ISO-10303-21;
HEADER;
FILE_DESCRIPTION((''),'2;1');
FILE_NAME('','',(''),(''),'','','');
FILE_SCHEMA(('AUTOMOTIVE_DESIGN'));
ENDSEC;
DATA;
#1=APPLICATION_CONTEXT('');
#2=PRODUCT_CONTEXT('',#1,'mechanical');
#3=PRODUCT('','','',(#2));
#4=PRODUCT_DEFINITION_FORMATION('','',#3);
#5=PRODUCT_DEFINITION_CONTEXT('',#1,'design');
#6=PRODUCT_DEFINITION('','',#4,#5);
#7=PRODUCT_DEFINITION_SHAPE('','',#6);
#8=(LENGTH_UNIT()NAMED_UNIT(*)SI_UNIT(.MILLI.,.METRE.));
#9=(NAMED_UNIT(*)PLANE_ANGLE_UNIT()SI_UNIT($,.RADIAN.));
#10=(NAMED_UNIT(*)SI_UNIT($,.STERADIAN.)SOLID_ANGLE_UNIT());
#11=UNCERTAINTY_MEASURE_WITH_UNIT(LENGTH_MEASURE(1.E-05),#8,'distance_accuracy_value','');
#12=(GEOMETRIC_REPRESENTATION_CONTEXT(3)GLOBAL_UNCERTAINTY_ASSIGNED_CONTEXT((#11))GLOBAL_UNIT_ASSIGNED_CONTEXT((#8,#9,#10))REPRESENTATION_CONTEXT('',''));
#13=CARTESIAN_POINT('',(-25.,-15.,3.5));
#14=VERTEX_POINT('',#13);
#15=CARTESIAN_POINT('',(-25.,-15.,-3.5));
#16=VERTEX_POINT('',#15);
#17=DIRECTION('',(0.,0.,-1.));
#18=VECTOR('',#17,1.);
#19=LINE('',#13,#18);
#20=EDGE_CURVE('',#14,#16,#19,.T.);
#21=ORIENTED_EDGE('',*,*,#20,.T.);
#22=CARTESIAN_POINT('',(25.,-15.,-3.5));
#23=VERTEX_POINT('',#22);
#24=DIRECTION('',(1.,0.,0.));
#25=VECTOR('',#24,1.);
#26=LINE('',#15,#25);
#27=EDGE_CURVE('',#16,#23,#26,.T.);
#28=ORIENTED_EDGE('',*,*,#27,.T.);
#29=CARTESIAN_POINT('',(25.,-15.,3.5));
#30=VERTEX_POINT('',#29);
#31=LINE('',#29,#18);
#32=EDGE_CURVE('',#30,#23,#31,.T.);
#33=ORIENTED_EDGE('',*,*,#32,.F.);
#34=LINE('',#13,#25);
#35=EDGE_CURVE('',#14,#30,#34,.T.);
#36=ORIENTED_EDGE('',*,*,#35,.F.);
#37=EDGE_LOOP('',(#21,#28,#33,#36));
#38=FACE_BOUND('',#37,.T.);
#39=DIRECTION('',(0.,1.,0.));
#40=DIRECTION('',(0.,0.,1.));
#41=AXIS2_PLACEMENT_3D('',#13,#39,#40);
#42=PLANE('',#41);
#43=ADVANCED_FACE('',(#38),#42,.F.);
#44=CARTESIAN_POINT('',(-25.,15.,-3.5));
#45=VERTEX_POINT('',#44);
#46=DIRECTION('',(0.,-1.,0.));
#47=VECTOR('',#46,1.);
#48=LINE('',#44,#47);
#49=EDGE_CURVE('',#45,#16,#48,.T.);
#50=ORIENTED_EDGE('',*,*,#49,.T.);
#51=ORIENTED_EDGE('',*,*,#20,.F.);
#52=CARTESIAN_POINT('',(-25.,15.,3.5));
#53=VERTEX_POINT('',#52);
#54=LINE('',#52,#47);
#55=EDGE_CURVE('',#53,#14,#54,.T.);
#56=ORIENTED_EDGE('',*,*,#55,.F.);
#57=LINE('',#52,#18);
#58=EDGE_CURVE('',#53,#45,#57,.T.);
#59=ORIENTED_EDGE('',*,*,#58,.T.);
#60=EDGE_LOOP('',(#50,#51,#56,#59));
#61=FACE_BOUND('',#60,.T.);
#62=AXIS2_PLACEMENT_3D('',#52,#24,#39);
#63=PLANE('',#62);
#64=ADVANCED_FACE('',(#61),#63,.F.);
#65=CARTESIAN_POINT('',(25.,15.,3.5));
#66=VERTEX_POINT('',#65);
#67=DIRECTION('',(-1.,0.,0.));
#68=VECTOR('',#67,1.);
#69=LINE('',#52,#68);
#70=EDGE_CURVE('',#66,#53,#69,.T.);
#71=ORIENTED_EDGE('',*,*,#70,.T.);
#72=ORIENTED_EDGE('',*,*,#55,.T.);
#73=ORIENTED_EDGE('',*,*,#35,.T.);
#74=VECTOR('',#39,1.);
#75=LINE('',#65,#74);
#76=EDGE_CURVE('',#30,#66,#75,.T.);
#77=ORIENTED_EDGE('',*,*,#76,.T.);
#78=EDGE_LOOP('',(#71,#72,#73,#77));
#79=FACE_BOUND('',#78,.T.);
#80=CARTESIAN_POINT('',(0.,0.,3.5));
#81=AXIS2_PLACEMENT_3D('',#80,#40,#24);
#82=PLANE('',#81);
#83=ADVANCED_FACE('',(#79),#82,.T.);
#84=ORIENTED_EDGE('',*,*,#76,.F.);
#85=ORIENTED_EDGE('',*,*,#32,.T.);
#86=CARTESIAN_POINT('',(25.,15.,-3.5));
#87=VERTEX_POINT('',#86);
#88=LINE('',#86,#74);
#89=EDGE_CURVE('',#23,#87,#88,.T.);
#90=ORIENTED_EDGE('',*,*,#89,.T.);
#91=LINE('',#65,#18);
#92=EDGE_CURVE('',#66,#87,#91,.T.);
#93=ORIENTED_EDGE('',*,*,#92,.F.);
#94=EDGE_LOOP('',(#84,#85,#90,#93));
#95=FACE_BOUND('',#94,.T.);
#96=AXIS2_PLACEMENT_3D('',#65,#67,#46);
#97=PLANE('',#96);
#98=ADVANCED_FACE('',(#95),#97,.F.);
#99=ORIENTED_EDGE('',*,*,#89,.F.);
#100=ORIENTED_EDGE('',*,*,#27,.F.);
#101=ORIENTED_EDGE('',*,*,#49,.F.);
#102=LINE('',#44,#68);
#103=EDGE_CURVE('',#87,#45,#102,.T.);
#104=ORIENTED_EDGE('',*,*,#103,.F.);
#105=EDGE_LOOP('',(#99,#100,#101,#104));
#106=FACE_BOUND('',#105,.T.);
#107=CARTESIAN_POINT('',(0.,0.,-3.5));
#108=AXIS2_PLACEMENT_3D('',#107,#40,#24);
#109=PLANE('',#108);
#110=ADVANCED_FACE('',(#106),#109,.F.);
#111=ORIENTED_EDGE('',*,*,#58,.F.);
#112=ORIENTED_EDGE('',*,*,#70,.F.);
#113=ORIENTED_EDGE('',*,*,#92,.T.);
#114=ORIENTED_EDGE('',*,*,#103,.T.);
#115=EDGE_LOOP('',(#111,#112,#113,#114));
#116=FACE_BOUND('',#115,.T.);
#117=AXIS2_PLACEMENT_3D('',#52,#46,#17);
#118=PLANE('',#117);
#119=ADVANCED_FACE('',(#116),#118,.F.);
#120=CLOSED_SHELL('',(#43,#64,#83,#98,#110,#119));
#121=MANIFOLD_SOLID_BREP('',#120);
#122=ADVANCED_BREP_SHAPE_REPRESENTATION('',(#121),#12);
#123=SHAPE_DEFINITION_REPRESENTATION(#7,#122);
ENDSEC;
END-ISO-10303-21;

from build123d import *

# Parameters (mm, degrees)
ESQUISSE1_W        = 50
ESQUISSE1_H        = 30
BOSS_EXTRU_1_DEPTH = 3.5


with BuildPart() as part:
    # Esquisse1 → Boss.-Extru.1 (new, symmetric)
    with BuildSketch(Plane.XY):
        Rectangle(ESQUISSE1_W, ESQUISSE1_H)
    extrude(amount=BOSS_EXTRU_1_DEPTH, both=True)


solid = part.part
